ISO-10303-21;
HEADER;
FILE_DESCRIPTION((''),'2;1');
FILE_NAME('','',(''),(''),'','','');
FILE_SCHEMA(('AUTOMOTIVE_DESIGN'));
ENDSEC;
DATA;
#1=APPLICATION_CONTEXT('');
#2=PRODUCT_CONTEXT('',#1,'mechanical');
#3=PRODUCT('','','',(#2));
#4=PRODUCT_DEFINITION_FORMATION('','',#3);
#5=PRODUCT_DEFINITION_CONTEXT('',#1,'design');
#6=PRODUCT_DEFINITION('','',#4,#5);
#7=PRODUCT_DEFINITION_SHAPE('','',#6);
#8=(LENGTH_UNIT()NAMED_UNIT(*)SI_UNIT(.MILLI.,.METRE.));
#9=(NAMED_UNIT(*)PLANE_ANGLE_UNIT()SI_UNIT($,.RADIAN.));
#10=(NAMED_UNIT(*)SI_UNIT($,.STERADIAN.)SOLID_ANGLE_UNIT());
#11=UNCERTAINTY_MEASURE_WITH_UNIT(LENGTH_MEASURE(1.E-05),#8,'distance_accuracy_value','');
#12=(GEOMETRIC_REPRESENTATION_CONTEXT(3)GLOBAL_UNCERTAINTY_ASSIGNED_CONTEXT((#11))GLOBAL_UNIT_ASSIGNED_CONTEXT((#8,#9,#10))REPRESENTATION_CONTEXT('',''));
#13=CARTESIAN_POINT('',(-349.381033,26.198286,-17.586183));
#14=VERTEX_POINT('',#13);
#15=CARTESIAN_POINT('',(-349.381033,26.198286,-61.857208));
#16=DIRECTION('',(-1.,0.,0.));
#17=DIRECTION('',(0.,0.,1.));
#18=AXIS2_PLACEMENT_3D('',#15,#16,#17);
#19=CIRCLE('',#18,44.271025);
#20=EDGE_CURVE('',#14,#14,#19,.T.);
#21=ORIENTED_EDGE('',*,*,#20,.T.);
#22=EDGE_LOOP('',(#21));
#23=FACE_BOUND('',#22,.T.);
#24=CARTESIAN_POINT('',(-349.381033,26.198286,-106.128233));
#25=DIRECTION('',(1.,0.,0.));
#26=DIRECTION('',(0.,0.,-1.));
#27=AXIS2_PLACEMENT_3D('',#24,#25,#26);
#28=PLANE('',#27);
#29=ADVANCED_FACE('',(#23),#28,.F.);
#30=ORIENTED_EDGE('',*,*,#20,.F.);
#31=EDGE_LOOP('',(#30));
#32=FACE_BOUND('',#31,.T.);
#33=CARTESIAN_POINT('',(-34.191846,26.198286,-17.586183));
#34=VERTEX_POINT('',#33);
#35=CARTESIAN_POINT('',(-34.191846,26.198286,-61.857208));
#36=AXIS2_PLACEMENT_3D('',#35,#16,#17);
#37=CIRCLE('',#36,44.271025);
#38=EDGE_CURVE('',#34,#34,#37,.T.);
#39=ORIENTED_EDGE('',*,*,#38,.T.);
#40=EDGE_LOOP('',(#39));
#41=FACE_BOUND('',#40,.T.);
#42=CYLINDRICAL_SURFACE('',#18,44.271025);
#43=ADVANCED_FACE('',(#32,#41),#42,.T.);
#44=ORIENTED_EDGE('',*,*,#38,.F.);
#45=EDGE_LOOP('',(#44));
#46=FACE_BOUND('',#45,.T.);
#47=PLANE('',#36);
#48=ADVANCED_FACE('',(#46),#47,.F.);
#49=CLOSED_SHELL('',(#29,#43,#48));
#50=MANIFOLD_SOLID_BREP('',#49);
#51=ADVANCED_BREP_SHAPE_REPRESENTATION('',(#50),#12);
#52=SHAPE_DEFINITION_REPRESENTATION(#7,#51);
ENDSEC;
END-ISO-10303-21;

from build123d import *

# Parameters (mm, degrees)
ESQUISSE1_W = 315.189187025
ESQUISSE1_H = 44.271024872


with BuildPart() as part:
    # Esquisse1 → Révolution1 (revolve)
    with BuildSketch(Plane(origin=(0, 26.198285936, -67.096864843), x_dir=(1, 0, 0), z_dir=(0, 1, 0)), mode=Mode.PRIVATE) as r_volution1_sk:
        with Locations((-191.786439449, 16.895855249)):
            Rectangle(ESQUISSE1_W, ESQUISSE1_H)
    revolve(r_volution1_sk.sketch.rotate(Axis((-349.381032961, 26.198285936, -61.857207655), (1, 0, 0)), 180), axis=Axis((-349.381032961, 26.198285936, -61.857207655), (1, 0, 0)))


solid = part.part
